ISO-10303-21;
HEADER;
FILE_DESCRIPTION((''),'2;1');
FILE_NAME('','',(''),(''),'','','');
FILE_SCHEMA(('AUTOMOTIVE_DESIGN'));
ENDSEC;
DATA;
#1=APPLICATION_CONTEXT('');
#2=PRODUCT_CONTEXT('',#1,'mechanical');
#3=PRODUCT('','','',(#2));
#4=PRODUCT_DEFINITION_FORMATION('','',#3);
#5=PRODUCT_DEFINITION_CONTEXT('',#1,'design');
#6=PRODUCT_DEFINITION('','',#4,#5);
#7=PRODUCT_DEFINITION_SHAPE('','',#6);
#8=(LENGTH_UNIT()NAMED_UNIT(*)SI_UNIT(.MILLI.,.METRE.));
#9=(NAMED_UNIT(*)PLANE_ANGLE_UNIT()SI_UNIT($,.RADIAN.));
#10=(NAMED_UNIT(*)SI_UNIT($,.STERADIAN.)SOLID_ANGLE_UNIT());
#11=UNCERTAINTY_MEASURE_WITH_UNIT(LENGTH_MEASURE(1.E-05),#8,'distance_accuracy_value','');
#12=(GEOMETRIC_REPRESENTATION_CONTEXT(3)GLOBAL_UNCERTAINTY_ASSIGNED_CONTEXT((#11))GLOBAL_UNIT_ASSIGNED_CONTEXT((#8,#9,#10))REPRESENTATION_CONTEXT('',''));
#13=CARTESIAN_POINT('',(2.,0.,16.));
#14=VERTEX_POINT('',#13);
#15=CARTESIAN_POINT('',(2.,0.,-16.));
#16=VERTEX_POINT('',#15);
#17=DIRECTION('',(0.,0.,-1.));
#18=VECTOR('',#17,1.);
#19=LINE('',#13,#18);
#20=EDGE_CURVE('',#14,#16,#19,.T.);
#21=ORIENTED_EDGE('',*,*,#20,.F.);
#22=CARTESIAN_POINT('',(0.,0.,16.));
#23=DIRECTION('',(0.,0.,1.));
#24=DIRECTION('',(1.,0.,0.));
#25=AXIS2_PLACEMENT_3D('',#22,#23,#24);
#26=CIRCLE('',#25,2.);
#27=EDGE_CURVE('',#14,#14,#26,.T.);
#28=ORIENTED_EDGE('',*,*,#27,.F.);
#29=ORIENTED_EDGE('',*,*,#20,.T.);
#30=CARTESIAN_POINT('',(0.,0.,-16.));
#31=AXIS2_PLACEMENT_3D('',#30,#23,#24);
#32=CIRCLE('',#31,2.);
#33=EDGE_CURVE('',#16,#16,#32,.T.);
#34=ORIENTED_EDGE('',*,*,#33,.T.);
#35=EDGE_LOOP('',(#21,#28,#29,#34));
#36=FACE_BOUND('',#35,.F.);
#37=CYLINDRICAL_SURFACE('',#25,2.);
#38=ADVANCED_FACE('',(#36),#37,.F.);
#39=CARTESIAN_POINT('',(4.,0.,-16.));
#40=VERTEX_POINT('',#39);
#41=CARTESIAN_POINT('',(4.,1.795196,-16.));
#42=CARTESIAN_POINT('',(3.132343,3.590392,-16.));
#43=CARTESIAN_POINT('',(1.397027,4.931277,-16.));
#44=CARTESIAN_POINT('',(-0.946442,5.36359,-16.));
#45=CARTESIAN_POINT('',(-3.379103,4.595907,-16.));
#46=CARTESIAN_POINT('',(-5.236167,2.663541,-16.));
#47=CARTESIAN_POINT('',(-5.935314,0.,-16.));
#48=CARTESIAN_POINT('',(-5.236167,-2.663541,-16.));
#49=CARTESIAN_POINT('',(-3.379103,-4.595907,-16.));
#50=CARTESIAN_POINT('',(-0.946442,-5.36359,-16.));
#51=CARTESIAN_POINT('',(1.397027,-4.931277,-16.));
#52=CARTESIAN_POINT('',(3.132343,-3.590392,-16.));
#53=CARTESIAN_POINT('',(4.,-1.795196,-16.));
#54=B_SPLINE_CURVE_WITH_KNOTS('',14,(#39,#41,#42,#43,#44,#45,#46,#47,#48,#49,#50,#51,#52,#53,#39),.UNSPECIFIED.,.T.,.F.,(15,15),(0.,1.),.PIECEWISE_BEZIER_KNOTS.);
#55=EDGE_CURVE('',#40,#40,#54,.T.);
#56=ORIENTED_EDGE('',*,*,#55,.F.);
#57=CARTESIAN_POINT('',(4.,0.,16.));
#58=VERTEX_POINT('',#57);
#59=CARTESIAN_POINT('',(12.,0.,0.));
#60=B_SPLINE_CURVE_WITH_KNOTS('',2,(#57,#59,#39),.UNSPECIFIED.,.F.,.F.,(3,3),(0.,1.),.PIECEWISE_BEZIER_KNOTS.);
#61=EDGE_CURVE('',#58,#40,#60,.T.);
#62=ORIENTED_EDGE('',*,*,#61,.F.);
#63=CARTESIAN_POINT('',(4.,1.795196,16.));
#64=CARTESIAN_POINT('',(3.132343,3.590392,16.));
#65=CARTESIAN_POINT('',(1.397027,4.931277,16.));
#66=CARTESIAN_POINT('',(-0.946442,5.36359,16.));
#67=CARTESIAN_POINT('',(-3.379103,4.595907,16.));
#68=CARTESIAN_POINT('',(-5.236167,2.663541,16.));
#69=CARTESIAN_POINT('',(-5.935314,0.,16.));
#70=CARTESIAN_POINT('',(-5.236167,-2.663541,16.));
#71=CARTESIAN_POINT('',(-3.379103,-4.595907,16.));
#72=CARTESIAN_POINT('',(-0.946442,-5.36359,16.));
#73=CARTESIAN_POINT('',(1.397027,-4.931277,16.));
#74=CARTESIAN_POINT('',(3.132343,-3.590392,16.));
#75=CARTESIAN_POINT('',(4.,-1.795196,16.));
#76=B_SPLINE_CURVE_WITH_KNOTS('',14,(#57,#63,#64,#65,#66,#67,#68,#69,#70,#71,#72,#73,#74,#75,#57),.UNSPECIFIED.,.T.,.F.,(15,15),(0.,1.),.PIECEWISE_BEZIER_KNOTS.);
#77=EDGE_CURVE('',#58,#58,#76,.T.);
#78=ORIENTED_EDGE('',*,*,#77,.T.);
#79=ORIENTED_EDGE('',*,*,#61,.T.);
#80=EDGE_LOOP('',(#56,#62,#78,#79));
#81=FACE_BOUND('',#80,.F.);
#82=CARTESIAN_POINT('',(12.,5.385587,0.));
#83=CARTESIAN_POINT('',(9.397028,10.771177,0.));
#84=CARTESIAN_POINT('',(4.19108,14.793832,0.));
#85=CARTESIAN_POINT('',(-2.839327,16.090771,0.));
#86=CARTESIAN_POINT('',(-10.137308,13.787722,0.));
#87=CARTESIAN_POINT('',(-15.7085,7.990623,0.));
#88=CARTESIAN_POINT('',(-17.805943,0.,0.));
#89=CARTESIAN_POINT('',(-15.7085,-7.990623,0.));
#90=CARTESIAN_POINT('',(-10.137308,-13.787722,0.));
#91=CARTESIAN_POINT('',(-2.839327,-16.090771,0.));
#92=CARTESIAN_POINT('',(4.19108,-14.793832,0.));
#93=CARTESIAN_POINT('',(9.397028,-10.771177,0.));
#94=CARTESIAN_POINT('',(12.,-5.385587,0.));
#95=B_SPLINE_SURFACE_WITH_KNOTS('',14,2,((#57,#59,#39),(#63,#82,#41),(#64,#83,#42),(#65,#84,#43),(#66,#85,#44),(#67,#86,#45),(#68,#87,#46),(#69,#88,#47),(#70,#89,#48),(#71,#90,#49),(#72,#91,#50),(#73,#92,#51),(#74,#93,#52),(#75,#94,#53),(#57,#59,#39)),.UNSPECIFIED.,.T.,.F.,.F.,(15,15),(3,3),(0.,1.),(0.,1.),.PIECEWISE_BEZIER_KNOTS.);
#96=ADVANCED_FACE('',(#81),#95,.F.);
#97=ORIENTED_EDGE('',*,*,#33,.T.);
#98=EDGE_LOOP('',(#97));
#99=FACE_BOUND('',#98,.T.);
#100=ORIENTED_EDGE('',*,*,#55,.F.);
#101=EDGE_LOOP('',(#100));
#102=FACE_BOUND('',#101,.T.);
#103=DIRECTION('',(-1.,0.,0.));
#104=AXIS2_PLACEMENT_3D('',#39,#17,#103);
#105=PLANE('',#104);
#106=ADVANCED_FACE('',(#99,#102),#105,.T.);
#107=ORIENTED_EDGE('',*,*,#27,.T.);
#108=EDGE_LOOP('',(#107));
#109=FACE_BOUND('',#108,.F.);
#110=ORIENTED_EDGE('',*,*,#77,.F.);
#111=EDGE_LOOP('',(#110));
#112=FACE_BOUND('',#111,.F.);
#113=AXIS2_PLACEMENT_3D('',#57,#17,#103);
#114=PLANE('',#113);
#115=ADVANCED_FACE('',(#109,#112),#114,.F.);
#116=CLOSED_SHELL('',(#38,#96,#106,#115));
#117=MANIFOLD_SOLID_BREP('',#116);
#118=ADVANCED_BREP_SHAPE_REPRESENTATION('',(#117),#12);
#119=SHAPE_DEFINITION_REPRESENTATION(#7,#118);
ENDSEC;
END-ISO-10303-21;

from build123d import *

# Parameters (mm, degrees)
SKETCH2_R          = 4
SKETCH1_R          = 8
SKETCH3_R          = 4
SKETCH4_R          = 2
CUT_EXTRUDE1_DEPTH = 34.941125636


with BuildPart() as part:
    # Sketch2 → Loft1 section 0
    with BuildSketch(Plane.XY.offset(16)):
        Circle(SKETCH2_R)
    # Sketch1 → Loft1 section 1
    with BuildSketch(Plane.XY):
        Circle(SKETCH1_R)
    # Sketch3 → Loft1 section 2
    with BuildSketch(Plane.XY.offset(-16)):
        Circle(SKETCH3_R)
    loft()

    # Sketch4 → Cut-Extrude1 (cut, through all)
    with BuildSketch(Plane.XY.offset(16)):
        Circle(SKETCH4_R)
    extrude(amount=-CUT_EXTRUDE1_DEPTH, mode=Mode.SUBTRACT)


solid = part.part
